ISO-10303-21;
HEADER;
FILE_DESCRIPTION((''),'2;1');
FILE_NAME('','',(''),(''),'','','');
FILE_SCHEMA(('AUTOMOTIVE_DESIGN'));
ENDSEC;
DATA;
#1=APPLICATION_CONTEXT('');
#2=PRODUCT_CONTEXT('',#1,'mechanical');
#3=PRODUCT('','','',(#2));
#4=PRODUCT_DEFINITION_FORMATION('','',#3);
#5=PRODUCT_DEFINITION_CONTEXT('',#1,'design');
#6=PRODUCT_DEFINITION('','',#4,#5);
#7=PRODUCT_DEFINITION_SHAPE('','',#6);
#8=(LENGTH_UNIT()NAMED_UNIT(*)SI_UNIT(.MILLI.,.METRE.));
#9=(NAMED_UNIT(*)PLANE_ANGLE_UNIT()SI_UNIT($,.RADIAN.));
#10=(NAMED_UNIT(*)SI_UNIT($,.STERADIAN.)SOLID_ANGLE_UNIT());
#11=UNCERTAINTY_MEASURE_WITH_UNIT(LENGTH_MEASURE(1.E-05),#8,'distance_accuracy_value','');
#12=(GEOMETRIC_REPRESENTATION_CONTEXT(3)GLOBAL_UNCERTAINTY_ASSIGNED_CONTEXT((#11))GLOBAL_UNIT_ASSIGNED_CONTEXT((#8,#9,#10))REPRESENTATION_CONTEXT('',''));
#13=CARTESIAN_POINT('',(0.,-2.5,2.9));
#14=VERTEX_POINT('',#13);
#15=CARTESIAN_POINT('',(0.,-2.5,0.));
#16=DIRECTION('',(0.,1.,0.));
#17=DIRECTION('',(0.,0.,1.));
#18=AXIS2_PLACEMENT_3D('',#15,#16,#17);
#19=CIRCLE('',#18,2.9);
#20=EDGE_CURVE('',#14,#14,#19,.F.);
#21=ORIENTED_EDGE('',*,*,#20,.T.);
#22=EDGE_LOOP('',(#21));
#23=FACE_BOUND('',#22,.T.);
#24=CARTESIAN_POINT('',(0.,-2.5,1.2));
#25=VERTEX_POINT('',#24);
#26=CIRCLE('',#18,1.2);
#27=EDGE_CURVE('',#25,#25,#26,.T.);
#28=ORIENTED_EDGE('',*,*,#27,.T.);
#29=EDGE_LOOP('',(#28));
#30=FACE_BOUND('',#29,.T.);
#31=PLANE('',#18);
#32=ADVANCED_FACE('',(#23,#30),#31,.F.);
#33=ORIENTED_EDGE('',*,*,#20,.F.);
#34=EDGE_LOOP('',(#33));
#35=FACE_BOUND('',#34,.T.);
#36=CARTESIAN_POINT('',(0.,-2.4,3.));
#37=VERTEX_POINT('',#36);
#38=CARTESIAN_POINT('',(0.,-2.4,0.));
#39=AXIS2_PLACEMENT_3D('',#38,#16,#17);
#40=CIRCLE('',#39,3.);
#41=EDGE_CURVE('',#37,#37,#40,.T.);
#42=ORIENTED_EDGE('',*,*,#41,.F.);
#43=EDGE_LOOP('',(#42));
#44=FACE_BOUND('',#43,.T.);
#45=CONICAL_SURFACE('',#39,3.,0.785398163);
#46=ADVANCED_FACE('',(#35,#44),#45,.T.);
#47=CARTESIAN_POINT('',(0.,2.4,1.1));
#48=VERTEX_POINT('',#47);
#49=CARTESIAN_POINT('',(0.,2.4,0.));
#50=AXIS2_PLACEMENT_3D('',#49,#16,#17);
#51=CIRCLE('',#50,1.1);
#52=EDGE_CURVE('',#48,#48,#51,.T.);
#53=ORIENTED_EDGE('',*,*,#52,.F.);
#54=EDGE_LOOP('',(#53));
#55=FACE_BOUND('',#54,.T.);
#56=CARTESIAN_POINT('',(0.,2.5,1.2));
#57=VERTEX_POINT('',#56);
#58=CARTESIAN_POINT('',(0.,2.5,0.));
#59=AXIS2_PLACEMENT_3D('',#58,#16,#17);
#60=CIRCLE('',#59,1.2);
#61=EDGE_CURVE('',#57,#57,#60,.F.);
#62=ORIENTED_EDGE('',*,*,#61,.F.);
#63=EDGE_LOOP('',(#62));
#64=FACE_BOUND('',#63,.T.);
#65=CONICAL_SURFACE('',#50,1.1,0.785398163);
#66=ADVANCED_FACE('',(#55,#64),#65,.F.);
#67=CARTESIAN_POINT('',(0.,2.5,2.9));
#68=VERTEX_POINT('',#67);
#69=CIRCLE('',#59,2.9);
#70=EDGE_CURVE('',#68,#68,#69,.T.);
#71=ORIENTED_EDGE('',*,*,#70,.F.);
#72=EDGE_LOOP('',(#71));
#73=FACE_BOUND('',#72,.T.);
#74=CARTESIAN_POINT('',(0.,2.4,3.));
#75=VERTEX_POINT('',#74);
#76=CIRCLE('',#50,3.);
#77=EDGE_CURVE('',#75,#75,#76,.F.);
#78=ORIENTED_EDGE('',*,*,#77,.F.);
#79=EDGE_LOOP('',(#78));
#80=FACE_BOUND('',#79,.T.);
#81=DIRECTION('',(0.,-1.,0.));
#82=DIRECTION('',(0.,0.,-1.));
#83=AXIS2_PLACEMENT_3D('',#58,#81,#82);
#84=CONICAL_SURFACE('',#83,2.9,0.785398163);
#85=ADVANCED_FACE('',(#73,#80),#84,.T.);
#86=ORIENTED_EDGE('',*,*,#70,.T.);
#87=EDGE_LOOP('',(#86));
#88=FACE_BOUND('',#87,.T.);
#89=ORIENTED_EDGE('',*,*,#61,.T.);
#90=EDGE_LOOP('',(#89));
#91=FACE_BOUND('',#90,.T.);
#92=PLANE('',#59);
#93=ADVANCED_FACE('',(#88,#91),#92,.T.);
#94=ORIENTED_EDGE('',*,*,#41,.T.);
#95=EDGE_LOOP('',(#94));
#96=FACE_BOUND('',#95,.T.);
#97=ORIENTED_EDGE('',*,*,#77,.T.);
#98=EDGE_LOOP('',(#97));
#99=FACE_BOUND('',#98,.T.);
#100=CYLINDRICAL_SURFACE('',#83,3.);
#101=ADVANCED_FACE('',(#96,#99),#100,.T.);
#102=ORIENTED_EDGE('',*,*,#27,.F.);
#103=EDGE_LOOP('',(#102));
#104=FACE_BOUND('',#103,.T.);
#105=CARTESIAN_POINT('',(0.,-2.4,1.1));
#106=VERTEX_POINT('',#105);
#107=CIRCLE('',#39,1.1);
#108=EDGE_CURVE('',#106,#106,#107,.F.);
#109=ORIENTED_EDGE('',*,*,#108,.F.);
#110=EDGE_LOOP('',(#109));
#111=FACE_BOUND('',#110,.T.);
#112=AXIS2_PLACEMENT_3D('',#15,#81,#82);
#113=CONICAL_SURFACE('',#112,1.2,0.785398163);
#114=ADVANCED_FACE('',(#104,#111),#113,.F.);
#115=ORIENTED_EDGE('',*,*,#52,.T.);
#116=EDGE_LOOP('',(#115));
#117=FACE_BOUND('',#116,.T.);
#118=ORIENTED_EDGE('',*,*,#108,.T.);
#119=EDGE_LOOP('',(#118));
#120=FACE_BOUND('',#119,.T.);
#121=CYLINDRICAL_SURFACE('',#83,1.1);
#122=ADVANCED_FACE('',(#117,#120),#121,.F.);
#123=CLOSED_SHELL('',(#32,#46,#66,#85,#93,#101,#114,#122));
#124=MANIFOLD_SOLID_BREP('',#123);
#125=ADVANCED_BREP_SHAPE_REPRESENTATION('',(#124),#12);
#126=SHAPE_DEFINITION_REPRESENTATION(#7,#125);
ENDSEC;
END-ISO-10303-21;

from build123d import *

# Parameters (mm, degrees)
SKETCH_1_R      = 3
SKETCH_1_R_2    = 1.1
EXTRUDE_1_DEPTH = 2.5
CHAMFER_1_SIZE  = 0.1


with BuildPart() as part:
    # ｽｹｯﾁ1 → ﾎﾞｽ - 押し出し1 (new, symmetric)
    with BuildSketch(Plane(origin=(0, 0, 0), x_dir=(1, 0, 0), z_dir=(0, 1, 0))):
        with Locations(Location((0, 0, 0), (0, 0, 270))):
            Circle(SKETCH_1_R)
        with Locations(Location((0, 0, 0), (0, 0, 270))):
            Circle(SKETCH_1_R_2, mode=Mode.SUBTRACT)
    extrude(amount=EXTRUDE_1_DEPTH, both=True)

    # 面取り1
    chamfer_1_edges = [part.edges().sort_by_distance(p)[0] for p in [
        (0, -2.5, -3),
        (0, 2.5, -3),
        (0, -2.5, -1.1),
        (0, 2.5, -1.1),
    ]]
    chamfer(chamfer_1_edges, length=CHAMFER_1_SIZE)


solid = part.part
